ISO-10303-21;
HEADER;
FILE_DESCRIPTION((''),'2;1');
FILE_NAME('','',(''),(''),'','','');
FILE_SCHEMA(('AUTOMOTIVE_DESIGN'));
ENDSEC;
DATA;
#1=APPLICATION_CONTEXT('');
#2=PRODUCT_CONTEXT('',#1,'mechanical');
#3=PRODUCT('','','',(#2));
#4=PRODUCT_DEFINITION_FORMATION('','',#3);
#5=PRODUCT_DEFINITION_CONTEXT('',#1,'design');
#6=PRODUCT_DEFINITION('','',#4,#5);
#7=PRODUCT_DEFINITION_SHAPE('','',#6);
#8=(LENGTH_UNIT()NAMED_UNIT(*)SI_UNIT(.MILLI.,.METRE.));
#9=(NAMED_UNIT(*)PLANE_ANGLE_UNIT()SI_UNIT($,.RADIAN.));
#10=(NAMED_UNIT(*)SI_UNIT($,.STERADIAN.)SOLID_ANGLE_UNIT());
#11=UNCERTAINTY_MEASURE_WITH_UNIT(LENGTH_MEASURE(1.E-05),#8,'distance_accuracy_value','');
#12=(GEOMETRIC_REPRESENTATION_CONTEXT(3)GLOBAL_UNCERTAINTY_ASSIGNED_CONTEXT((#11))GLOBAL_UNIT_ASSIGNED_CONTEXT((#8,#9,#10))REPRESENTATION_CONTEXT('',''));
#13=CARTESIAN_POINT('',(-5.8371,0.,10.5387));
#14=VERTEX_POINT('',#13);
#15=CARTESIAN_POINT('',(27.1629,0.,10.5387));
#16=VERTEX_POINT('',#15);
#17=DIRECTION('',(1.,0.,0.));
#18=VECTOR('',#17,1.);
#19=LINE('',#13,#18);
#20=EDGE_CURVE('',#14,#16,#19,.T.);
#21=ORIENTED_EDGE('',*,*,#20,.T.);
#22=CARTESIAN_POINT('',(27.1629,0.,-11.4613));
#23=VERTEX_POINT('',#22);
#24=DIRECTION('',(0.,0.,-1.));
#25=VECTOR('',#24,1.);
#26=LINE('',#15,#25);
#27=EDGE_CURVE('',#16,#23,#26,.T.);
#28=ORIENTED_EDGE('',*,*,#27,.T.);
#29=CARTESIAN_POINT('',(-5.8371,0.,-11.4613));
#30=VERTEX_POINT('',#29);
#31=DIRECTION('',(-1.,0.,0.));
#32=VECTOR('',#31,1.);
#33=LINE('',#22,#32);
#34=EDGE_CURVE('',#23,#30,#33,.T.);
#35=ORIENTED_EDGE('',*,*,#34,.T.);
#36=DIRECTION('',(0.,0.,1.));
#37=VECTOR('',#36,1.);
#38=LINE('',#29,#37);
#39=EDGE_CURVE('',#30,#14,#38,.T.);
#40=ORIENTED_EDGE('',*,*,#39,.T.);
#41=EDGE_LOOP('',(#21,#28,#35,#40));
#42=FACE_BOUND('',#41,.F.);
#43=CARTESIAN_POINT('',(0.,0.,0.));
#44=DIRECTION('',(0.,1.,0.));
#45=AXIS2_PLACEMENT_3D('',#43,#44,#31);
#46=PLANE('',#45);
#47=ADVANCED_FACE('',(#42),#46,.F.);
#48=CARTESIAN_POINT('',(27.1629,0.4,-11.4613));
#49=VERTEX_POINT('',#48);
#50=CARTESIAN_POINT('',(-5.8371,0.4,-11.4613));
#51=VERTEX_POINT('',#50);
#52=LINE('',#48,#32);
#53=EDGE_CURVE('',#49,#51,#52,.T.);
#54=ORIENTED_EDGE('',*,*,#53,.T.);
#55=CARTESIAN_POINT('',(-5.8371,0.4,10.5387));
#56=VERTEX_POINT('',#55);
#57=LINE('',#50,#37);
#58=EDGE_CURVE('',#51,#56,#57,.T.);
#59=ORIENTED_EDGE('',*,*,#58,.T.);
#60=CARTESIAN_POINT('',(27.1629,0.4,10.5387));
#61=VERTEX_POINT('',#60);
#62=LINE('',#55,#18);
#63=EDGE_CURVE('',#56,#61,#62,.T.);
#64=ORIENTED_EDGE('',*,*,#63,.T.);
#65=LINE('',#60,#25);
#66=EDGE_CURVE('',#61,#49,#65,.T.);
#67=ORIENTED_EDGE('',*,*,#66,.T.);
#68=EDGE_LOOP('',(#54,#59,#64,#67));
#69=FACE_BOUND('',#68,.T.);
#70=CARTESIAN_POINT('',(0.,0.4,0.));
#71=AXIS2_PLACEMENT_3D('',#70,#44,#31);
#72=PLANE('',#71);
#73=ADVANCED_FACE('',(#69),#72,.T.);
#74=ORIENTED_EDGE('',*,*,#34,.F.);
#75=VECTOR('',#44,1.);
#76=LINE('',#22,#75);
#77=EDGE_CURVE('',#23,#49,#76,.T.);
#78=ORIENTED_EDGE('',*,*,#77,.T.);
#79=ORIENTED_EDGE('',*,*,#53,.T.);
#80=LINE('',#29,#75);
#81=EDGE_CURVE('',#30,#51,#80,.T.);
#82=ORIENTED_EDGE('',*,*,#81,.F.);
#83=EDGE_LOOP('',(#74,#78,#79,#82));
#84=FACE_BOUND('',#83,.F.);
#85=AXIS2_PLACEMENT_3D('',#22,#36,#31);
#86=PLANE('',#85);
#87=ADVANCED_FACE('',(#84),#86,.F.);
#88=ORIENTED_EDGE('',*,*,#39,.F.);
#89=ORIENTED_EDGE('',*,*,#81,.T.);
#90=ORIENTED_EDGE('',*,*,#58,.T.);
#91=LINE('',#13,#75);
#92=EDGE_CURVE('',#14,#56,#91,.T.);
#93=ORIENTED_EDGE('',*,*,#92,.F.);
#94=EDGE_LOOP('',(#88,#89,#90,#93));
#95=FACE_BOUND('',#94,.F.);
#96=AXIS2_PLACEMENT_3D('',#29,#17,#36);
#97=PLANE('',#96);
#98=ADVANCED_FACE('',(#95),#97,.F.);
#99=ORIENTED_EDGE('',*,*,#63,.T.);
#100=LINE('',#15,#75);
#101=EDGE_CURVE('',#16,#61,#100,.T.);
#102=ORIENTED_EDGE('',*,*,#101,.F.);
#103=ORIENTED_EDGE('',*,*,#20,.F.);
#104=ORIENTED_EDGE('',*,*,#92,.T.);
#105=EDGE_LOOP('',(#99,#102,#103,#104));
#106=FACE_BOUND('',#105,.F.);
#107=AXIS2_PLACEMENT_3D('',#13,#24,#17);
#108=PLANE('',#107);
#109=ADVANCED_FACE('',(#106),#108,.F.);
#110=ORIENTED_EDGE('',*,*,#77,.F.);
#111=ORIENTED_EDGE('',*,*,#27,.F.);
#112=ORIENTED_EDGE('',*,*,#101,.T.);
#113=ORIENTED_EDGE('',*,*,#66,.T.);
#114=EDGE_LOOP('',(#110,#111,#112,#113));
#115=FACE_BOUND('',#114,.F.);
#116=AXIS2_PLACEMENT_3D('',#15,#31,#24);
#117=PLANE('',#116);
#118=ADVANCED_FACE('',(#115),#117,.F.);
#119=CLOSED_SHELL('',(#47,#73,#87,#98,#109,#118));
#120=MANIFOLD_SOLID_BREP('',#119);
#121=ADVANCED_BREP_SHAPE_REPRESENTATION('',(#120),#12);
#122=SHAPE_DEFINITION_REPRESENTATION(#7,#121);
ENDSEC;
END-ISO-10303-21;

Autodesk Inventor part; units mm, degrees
ref_plane "YZ Plane" through (0, 0, 0) normal (1, 0, 0) x (0, 1, 0)
ref_plane "XZ Plane" through (0, 0, 0) normal (0, 1, 0) x (-1, 0, 0)
ref_plane "XY Plane" through (0, 0, 0) normal (0, 0, 1) x (1, 0, 0)
sketch "Sketch1" plane through (0, 0, 0) normal (0, 1, 0) x (-1, 0, 0)
  line L0 (5.8371, 10.5387) -> (-27.1629, 10.5387)
  line L1 (-27.1629, 10.5387) -> (-27.1629, -11.4613)
  line L2 (-27.1629, -11.4613) -> (5.8371, -11.4613)
  line L3 (5.8371, -11.4613) -> (5.8371, 10.5387)
  point P0 (0, 0)
  dimension "d0" = 22
  dimension "d1" = 33
extrude "Extrusion1" add sketch "Sketch1" along normal blind 0.4
properties part number "Placchetta"
